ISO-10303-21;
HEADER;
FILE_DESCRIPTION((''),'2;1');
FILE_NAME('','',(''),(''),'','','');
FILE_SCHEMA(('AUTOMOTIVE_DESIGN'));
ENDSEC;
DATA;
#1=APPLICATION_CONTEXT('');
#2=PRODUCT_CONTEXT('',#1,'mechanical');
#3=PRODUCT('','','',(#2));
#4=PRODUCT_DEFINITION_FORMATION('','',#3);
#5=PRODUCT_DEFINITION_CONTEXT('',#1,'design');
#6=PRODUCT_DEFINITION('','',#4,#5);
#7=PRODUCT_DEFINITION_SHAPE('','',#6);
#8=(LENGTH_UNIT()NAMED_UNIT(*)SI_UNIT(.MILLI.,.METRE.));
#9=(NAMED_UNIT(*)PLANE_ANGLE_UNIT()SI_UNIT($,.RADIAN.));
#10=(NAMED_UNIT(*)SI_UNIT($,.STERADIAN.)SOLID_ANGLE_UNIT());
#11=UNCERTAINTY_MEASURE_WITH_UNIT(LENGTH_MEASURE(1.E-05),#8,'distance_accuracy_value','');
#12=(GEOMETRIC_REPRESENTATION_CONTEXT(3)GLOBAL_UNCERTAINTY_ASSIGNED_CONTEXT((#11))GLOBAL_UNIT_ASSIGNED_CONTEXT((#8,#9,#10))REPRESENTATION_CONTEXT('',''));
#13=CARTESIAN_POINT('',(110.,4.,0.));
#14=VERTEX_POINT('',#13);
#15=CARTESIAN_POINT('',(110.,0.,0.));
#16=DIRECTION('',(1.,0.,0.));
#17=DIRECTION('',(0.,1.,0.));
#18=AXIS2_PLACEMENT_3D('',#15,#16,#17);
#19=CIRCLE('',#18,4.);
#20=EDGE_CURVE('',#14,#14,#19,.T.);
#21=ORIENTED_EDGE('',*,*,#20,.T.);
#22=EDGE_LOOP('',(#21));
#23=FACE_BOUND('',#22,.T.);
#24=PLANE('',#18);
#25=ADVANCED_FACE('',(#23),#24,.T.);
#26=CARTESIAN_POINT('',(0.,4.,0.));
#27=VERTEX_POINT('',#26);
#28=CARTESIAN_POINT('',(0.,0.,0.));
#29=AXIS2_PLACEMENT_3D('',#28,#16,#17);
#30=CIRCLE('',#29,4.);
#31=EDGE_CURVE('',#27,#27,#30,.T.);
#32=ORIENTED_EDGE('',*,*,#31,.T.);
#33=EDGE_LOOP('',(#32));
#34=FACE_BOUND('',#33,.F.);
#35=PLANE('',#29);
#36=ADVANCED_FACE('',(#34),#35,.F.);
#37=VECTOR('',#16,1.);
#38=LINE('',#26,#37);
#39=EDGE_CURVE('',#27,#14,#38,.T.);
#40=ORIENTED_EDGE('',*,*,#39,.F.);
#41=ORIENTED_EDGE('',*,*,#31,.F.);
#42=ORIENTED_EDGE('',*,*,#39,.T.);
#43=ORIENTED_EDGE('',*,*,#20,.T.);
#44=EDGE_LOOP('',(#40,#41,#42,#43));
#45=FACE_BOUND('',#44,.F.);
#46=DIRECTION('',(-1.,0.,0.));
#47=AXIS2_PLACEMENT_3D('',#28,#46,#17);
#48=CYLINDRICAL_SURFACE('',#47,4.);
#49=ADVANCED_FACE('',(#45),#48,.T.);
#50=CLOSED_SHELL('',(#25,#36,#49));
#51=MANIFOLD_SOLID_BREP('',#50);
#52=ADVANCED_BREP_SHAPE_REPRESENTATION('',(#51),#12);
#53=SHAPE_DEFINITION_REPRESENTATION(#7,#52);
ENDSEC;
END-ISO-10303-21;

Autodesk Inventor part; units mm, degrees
ref_plane "YZ Plane" through (0, 0, 0) normal (1, 0, 0) x (0, 1, 0)
ref_plane "XZ Plane" through (0, 0, 0) normal (0, 1, 0) x (-1, 0, 0)
ref_plane "XY Plane" through (0, 0, 0) normal (0, 0, 1) x (1, 0, 0)
sketch "Sketch1" plane through (0, 0, 0) normal (1, 0, 0) x (0, 1, 0)
  circle A0 centre (0, 0) radius 4
  dimension "d0" = 8
extrude "Extrusion1" add sketch "Sketch1" along normal blind 110
properties part number "axis"
